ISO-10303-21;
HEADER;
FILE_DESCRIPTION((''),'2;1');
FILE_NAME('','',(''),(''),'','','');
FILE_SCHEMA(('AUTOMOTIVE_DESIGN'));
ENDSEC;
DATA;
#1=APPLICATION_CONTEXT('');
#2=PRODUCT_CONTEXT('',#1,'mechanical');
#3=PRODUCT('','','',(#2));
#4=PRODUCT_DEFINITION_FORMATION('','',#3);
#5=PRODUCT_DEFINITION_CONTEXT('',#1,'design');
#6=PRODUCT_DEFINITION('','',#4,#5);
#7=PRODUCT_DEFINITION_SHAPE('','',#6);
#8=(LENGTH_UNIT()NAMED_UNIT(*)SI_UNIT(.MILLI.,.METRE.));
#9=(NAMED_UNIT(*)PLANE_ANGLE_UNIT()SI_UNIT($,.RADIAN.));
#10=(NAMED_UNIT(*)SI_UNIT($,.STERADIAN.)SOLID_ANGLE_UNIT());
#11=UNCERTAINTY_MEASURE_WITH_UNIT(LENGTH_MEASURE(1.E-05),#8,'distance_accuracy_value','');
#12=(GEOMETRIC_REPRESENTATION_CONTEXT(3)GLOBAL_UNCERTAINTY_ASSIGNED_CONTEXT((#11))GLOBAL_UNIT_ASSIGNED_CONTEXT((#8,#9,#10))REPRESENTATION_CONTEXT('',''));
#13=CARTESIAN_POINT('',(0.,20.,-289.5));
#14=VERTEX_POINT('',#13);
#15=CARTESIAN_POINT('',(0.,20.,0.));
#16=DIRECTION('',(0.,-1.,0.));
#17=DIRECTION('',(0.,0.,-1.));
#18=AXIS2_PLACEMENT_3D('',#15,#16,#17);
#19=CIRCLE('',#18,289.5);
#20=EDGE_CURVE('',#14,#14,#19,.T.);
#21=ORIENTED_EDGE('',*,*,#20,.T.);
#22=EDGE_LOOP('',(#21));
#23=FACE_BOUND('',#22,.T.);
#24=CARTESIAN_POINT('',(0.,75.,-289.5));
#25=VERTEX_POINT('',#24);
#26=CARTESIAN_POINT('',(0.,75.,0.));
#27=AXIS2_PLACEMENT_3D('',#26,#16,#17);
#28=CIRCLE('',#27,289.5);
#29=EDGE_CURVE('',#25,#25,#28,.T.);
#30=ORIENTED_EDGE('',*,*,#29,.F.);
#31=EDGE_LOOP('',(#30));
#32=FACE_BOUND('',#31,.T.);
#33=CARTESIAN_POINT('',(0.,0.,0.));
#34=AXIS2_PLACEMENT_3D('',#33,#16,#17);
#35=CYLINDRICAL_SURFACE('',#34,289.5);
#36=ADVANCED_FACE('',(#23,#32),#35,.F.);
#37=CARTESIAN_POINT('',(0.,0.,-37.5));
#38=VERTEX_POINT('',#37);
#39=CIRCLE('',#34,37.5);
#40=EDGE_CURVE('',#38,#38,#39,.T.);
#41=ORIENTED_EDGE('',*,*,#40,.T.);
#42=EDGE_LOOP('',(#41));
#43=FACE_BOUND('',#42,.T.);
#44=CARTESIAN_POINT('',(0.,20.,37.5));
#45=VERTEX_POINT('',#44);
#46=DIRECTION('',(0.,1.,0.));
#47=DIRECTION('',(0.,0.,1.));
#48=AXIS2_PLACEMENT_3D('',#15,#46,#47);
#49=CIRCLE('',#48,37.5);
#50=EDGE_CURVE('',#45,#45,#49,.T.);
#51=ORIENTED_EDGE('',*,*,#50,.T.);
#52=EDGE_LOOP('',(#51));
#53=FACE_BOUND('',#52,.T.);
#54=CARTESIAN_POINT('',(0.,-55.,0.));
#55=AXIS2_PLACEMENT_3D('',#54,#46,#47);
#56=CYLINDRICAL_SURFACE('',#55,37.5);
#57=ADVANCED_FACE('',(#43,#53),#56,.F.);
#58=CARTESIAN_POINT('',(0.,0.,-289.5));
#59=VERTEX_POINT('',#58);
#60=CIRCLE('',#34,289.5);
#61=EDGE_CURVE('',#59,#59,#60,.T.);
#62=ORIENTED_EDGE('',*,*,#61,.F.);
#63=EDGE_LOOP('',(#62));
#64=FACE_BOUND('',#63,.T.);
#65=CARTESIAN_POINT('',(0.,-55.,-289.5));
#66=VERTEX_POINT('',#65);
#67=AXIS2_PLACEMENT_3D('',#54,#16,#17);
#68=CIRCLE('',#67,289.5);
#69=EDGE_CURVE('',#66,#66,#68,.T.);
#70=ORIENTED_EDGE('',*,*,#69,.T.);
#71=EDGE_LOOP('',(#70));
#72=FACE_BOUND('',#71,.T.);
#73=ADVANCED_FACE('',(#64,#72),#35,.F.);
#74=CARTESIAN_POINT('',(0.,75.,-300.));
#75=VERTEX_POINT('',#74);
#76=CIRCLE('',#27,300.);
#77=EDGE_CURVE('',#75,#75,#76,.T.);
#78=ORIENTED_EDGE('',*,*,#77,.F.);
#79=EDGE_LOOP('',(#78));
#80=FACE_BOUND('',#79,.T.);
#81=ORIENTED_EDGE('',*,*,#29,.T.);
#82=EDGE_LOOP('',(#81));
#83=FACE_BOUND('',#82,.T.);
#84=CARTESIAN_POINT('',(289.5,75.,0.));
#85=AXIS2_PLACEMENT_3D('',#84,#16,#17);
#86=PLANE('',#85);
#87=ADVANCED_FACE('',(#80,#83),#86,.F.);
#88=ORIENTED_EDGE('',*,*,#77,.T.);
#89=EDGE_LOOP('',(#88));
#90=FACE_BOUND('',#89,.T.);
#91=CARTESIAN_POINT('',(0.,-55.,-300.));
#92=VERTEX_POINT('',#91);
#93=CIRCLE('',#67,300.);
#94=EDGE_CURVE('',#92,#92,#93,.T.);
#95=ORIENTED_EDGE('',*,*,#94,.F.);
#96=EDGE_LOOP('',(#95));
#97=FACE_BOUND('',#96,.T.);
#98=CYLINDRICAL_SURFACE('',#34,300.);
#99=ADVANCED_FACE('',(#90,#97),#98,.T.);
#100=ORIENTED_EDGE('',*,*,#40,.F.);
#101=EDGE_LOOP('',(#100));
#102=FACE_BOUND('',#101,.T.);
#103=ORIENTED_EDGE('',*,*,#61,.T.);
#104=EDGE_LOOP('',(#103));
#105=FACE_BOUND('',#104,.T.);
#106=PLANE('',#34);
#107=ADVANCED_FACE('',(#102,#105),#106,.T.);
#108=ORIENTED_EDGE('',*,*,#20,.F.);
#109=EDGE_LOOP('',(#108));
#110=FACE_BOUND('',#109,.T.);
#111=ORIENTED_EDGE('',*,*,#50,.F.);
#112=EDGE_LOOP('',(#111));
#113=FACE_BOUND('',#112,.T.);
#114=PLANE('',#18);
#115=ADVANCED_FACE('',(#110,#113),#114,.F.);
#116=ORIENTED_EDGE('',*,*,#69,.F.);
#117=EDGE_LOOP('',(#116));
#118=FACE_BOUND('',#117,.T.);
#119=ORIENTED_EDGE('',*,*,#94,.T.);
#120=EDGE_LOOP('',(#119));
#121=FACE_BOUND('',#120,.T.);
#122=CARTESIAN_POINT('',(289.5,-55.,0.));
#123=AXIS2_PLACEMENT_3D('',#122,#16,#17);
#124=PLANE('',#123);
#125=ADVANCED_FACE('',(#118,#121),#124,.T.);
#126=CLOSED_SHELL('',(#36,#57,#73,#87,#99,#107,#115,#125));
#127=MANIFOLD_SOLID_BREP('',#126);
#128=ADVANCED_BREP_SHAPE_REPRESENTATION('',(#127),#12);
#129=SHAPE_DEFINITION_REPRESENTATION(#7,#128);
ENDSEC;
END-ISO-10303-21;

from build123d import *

# Parameters (mm, degrees)
SKETCH2_R          = 37.5
CUT_EXTRUDE1_DEPTH = 431.84219849


with BuildPart() as part:
    # Sketch1 → Revolve1 (revolve)
    with BuildSketch(Plane.XY, mode=Mode.PRIVATE) as revolve1_sk:
        Polygon((289.5, 20), (289.5, 75), (300, 75), (300, -55), (289.5, -55), (289.5, 0), (0, 0), (0, 20), align=None)
    revolve(revolve1_sk.sketch.rotate(Axis((0, 0, 0), (0, 1, 0)), 90), axis=Axis((0, 0, 0), (0, 1, 0)))

    # Sketch2 → Cut-Extrude1 (cut, through all)
    with BuildSketch(Plane(origin=(0, 20, 0), x_dir=(1, 0, 0), z_dir=(0, 1, 0))):
        with Locations(Location((0, 0, 0), (0, 0, 270))):
            Circle(SKETCH2_R)
    extrude(amount=-CUT_EXTRUDE1_DEPTH, mode=Mode.SUBTRACT)


solid = part.part
